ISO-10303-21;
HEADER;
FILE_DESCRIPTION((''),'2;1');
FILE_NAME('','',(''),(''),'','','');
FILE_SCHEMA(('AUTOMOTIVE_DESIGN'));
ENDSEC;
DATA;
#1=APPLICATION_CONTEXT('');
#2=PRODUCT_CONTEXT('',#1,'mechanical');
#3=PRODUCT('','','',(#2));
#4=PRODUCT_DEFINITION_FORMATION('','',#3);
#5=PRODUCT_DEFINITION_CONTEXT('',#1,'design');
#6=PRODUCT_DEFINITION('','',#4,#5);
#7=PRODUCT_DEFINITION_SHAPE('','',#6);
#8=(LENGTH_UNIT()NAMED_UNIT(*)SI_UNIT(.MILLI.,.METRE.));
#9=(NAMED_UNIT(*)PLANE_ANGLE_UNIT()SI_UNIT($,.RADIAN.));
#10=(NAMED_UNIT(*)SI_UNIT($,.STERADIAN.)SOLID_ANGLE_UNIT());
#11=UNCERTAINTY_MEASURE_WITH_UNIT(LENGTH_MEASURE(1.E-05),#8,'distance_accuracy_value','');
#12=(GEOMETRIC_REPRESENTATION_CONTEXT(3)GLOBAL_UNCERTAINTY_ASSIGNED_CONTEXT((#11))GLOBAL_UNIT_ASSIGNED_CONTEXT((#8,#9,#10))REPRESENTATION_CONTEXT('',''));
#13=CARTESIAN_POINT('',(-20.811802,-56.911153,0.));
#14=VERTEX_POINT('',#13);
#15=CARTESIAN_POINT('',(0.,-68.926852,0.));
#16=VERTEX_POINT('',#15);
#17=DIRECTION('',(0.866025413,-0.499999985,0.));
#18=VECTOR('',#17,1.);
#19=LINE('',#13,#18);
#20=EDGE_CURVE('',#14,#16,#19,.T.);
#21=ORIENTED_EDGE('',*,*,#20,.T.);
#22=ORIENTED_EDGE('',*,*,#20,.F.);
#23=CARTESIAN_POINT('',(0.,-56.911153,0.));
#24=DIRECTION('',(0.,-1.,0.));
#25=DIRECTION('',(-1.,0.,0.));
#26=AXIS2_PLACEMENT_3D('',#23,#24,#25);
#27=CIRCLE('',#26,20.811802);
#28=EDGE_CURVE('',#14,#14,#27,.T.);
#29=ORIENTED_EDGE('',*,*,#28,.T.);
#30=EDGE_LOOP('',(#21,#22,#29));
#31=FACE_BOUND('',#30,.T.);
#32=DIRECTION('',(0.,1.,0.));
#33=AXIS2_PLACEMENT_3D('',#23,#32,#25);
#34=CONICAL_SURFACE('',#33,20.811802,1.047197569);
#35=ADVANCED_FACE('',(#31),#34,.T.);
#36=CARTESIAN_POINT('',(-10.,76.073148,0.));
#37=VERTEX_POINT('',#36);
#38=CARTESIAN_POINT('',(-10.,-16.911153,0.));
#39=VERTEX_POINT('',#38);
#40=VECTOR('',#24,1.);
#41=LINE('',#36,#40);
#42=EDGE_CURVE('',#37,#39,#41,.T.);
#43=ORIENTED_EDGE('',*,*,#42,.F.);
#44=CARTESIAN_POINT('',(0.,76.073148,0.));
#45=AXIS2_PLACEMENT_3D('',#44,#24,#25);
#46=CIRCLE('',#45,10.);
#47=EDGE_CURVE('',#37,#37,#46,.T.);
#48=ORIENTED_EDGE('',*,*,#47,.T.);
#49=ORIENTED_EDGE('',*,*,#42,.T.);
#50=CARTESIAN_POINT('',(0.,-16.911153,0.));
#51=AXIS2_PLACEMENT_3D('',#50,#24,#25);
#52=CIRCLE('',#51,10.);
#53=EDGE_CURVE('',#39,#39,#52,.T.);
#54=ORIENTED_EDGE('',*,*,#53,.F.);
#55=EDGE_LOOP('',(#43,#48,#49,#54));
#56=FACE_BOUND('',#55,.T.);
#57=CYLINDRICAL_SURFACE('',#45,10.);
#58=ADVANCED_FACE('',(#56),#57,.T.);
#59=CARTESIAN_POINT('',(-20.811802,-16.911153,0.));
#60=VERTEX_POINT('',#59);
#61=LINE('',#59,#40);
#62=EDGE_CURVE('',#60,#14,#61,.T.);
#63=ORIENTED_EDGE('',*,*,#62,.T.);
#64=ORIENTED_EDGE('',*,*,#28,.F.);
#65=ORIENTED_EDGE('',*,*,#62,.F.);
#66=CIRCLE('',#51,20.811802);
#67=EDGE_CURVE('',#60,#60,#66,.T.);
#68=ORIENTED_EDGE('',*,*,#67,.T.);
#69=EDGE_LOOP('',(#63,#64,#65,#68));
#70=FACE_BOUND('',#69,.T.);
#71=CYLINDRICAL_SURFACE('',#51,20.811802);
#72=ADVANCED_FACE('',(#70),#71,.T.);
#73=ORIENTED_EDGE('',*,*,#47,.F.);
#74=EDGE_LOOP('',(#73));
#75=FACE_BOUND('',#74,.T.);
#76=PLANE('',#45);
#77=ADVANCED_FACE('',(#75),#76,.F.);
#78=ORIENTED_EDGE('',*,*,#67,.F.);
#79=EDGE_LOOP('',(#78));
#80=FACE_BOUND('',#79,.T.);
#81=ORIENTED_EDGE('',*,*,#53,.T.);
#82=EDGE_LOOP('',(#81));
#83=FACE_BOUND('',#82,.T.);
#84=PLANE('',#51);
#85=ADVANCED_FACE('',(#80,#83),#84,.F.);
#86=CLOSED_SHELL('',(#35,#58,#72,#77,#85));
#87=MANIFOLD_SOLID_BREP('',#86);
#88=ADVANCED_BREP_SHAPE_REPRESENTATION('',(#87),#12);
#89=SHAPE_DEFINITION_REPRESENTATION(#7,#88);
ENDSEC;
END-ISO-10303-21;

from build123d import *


with BuildPart() as f1:
    # F0 (on Top) → F1 (revolve)
    with BuildSketch(Plane.XY):
        Polygon((0, 76.073148), (-10, 76.073148), (-10, -16.911153), (-20.811802, -16.911153), (-20.811802, -56.911153), (0, -56.911153), align=None)
        Polygon((0, -68.926852), (0, -56.911153), (-20.811802, -56.911153), align=None)
    revolve(axis=Axis((0, 3.573148, 0), (0, -1, 0)))


solid = f1.part
